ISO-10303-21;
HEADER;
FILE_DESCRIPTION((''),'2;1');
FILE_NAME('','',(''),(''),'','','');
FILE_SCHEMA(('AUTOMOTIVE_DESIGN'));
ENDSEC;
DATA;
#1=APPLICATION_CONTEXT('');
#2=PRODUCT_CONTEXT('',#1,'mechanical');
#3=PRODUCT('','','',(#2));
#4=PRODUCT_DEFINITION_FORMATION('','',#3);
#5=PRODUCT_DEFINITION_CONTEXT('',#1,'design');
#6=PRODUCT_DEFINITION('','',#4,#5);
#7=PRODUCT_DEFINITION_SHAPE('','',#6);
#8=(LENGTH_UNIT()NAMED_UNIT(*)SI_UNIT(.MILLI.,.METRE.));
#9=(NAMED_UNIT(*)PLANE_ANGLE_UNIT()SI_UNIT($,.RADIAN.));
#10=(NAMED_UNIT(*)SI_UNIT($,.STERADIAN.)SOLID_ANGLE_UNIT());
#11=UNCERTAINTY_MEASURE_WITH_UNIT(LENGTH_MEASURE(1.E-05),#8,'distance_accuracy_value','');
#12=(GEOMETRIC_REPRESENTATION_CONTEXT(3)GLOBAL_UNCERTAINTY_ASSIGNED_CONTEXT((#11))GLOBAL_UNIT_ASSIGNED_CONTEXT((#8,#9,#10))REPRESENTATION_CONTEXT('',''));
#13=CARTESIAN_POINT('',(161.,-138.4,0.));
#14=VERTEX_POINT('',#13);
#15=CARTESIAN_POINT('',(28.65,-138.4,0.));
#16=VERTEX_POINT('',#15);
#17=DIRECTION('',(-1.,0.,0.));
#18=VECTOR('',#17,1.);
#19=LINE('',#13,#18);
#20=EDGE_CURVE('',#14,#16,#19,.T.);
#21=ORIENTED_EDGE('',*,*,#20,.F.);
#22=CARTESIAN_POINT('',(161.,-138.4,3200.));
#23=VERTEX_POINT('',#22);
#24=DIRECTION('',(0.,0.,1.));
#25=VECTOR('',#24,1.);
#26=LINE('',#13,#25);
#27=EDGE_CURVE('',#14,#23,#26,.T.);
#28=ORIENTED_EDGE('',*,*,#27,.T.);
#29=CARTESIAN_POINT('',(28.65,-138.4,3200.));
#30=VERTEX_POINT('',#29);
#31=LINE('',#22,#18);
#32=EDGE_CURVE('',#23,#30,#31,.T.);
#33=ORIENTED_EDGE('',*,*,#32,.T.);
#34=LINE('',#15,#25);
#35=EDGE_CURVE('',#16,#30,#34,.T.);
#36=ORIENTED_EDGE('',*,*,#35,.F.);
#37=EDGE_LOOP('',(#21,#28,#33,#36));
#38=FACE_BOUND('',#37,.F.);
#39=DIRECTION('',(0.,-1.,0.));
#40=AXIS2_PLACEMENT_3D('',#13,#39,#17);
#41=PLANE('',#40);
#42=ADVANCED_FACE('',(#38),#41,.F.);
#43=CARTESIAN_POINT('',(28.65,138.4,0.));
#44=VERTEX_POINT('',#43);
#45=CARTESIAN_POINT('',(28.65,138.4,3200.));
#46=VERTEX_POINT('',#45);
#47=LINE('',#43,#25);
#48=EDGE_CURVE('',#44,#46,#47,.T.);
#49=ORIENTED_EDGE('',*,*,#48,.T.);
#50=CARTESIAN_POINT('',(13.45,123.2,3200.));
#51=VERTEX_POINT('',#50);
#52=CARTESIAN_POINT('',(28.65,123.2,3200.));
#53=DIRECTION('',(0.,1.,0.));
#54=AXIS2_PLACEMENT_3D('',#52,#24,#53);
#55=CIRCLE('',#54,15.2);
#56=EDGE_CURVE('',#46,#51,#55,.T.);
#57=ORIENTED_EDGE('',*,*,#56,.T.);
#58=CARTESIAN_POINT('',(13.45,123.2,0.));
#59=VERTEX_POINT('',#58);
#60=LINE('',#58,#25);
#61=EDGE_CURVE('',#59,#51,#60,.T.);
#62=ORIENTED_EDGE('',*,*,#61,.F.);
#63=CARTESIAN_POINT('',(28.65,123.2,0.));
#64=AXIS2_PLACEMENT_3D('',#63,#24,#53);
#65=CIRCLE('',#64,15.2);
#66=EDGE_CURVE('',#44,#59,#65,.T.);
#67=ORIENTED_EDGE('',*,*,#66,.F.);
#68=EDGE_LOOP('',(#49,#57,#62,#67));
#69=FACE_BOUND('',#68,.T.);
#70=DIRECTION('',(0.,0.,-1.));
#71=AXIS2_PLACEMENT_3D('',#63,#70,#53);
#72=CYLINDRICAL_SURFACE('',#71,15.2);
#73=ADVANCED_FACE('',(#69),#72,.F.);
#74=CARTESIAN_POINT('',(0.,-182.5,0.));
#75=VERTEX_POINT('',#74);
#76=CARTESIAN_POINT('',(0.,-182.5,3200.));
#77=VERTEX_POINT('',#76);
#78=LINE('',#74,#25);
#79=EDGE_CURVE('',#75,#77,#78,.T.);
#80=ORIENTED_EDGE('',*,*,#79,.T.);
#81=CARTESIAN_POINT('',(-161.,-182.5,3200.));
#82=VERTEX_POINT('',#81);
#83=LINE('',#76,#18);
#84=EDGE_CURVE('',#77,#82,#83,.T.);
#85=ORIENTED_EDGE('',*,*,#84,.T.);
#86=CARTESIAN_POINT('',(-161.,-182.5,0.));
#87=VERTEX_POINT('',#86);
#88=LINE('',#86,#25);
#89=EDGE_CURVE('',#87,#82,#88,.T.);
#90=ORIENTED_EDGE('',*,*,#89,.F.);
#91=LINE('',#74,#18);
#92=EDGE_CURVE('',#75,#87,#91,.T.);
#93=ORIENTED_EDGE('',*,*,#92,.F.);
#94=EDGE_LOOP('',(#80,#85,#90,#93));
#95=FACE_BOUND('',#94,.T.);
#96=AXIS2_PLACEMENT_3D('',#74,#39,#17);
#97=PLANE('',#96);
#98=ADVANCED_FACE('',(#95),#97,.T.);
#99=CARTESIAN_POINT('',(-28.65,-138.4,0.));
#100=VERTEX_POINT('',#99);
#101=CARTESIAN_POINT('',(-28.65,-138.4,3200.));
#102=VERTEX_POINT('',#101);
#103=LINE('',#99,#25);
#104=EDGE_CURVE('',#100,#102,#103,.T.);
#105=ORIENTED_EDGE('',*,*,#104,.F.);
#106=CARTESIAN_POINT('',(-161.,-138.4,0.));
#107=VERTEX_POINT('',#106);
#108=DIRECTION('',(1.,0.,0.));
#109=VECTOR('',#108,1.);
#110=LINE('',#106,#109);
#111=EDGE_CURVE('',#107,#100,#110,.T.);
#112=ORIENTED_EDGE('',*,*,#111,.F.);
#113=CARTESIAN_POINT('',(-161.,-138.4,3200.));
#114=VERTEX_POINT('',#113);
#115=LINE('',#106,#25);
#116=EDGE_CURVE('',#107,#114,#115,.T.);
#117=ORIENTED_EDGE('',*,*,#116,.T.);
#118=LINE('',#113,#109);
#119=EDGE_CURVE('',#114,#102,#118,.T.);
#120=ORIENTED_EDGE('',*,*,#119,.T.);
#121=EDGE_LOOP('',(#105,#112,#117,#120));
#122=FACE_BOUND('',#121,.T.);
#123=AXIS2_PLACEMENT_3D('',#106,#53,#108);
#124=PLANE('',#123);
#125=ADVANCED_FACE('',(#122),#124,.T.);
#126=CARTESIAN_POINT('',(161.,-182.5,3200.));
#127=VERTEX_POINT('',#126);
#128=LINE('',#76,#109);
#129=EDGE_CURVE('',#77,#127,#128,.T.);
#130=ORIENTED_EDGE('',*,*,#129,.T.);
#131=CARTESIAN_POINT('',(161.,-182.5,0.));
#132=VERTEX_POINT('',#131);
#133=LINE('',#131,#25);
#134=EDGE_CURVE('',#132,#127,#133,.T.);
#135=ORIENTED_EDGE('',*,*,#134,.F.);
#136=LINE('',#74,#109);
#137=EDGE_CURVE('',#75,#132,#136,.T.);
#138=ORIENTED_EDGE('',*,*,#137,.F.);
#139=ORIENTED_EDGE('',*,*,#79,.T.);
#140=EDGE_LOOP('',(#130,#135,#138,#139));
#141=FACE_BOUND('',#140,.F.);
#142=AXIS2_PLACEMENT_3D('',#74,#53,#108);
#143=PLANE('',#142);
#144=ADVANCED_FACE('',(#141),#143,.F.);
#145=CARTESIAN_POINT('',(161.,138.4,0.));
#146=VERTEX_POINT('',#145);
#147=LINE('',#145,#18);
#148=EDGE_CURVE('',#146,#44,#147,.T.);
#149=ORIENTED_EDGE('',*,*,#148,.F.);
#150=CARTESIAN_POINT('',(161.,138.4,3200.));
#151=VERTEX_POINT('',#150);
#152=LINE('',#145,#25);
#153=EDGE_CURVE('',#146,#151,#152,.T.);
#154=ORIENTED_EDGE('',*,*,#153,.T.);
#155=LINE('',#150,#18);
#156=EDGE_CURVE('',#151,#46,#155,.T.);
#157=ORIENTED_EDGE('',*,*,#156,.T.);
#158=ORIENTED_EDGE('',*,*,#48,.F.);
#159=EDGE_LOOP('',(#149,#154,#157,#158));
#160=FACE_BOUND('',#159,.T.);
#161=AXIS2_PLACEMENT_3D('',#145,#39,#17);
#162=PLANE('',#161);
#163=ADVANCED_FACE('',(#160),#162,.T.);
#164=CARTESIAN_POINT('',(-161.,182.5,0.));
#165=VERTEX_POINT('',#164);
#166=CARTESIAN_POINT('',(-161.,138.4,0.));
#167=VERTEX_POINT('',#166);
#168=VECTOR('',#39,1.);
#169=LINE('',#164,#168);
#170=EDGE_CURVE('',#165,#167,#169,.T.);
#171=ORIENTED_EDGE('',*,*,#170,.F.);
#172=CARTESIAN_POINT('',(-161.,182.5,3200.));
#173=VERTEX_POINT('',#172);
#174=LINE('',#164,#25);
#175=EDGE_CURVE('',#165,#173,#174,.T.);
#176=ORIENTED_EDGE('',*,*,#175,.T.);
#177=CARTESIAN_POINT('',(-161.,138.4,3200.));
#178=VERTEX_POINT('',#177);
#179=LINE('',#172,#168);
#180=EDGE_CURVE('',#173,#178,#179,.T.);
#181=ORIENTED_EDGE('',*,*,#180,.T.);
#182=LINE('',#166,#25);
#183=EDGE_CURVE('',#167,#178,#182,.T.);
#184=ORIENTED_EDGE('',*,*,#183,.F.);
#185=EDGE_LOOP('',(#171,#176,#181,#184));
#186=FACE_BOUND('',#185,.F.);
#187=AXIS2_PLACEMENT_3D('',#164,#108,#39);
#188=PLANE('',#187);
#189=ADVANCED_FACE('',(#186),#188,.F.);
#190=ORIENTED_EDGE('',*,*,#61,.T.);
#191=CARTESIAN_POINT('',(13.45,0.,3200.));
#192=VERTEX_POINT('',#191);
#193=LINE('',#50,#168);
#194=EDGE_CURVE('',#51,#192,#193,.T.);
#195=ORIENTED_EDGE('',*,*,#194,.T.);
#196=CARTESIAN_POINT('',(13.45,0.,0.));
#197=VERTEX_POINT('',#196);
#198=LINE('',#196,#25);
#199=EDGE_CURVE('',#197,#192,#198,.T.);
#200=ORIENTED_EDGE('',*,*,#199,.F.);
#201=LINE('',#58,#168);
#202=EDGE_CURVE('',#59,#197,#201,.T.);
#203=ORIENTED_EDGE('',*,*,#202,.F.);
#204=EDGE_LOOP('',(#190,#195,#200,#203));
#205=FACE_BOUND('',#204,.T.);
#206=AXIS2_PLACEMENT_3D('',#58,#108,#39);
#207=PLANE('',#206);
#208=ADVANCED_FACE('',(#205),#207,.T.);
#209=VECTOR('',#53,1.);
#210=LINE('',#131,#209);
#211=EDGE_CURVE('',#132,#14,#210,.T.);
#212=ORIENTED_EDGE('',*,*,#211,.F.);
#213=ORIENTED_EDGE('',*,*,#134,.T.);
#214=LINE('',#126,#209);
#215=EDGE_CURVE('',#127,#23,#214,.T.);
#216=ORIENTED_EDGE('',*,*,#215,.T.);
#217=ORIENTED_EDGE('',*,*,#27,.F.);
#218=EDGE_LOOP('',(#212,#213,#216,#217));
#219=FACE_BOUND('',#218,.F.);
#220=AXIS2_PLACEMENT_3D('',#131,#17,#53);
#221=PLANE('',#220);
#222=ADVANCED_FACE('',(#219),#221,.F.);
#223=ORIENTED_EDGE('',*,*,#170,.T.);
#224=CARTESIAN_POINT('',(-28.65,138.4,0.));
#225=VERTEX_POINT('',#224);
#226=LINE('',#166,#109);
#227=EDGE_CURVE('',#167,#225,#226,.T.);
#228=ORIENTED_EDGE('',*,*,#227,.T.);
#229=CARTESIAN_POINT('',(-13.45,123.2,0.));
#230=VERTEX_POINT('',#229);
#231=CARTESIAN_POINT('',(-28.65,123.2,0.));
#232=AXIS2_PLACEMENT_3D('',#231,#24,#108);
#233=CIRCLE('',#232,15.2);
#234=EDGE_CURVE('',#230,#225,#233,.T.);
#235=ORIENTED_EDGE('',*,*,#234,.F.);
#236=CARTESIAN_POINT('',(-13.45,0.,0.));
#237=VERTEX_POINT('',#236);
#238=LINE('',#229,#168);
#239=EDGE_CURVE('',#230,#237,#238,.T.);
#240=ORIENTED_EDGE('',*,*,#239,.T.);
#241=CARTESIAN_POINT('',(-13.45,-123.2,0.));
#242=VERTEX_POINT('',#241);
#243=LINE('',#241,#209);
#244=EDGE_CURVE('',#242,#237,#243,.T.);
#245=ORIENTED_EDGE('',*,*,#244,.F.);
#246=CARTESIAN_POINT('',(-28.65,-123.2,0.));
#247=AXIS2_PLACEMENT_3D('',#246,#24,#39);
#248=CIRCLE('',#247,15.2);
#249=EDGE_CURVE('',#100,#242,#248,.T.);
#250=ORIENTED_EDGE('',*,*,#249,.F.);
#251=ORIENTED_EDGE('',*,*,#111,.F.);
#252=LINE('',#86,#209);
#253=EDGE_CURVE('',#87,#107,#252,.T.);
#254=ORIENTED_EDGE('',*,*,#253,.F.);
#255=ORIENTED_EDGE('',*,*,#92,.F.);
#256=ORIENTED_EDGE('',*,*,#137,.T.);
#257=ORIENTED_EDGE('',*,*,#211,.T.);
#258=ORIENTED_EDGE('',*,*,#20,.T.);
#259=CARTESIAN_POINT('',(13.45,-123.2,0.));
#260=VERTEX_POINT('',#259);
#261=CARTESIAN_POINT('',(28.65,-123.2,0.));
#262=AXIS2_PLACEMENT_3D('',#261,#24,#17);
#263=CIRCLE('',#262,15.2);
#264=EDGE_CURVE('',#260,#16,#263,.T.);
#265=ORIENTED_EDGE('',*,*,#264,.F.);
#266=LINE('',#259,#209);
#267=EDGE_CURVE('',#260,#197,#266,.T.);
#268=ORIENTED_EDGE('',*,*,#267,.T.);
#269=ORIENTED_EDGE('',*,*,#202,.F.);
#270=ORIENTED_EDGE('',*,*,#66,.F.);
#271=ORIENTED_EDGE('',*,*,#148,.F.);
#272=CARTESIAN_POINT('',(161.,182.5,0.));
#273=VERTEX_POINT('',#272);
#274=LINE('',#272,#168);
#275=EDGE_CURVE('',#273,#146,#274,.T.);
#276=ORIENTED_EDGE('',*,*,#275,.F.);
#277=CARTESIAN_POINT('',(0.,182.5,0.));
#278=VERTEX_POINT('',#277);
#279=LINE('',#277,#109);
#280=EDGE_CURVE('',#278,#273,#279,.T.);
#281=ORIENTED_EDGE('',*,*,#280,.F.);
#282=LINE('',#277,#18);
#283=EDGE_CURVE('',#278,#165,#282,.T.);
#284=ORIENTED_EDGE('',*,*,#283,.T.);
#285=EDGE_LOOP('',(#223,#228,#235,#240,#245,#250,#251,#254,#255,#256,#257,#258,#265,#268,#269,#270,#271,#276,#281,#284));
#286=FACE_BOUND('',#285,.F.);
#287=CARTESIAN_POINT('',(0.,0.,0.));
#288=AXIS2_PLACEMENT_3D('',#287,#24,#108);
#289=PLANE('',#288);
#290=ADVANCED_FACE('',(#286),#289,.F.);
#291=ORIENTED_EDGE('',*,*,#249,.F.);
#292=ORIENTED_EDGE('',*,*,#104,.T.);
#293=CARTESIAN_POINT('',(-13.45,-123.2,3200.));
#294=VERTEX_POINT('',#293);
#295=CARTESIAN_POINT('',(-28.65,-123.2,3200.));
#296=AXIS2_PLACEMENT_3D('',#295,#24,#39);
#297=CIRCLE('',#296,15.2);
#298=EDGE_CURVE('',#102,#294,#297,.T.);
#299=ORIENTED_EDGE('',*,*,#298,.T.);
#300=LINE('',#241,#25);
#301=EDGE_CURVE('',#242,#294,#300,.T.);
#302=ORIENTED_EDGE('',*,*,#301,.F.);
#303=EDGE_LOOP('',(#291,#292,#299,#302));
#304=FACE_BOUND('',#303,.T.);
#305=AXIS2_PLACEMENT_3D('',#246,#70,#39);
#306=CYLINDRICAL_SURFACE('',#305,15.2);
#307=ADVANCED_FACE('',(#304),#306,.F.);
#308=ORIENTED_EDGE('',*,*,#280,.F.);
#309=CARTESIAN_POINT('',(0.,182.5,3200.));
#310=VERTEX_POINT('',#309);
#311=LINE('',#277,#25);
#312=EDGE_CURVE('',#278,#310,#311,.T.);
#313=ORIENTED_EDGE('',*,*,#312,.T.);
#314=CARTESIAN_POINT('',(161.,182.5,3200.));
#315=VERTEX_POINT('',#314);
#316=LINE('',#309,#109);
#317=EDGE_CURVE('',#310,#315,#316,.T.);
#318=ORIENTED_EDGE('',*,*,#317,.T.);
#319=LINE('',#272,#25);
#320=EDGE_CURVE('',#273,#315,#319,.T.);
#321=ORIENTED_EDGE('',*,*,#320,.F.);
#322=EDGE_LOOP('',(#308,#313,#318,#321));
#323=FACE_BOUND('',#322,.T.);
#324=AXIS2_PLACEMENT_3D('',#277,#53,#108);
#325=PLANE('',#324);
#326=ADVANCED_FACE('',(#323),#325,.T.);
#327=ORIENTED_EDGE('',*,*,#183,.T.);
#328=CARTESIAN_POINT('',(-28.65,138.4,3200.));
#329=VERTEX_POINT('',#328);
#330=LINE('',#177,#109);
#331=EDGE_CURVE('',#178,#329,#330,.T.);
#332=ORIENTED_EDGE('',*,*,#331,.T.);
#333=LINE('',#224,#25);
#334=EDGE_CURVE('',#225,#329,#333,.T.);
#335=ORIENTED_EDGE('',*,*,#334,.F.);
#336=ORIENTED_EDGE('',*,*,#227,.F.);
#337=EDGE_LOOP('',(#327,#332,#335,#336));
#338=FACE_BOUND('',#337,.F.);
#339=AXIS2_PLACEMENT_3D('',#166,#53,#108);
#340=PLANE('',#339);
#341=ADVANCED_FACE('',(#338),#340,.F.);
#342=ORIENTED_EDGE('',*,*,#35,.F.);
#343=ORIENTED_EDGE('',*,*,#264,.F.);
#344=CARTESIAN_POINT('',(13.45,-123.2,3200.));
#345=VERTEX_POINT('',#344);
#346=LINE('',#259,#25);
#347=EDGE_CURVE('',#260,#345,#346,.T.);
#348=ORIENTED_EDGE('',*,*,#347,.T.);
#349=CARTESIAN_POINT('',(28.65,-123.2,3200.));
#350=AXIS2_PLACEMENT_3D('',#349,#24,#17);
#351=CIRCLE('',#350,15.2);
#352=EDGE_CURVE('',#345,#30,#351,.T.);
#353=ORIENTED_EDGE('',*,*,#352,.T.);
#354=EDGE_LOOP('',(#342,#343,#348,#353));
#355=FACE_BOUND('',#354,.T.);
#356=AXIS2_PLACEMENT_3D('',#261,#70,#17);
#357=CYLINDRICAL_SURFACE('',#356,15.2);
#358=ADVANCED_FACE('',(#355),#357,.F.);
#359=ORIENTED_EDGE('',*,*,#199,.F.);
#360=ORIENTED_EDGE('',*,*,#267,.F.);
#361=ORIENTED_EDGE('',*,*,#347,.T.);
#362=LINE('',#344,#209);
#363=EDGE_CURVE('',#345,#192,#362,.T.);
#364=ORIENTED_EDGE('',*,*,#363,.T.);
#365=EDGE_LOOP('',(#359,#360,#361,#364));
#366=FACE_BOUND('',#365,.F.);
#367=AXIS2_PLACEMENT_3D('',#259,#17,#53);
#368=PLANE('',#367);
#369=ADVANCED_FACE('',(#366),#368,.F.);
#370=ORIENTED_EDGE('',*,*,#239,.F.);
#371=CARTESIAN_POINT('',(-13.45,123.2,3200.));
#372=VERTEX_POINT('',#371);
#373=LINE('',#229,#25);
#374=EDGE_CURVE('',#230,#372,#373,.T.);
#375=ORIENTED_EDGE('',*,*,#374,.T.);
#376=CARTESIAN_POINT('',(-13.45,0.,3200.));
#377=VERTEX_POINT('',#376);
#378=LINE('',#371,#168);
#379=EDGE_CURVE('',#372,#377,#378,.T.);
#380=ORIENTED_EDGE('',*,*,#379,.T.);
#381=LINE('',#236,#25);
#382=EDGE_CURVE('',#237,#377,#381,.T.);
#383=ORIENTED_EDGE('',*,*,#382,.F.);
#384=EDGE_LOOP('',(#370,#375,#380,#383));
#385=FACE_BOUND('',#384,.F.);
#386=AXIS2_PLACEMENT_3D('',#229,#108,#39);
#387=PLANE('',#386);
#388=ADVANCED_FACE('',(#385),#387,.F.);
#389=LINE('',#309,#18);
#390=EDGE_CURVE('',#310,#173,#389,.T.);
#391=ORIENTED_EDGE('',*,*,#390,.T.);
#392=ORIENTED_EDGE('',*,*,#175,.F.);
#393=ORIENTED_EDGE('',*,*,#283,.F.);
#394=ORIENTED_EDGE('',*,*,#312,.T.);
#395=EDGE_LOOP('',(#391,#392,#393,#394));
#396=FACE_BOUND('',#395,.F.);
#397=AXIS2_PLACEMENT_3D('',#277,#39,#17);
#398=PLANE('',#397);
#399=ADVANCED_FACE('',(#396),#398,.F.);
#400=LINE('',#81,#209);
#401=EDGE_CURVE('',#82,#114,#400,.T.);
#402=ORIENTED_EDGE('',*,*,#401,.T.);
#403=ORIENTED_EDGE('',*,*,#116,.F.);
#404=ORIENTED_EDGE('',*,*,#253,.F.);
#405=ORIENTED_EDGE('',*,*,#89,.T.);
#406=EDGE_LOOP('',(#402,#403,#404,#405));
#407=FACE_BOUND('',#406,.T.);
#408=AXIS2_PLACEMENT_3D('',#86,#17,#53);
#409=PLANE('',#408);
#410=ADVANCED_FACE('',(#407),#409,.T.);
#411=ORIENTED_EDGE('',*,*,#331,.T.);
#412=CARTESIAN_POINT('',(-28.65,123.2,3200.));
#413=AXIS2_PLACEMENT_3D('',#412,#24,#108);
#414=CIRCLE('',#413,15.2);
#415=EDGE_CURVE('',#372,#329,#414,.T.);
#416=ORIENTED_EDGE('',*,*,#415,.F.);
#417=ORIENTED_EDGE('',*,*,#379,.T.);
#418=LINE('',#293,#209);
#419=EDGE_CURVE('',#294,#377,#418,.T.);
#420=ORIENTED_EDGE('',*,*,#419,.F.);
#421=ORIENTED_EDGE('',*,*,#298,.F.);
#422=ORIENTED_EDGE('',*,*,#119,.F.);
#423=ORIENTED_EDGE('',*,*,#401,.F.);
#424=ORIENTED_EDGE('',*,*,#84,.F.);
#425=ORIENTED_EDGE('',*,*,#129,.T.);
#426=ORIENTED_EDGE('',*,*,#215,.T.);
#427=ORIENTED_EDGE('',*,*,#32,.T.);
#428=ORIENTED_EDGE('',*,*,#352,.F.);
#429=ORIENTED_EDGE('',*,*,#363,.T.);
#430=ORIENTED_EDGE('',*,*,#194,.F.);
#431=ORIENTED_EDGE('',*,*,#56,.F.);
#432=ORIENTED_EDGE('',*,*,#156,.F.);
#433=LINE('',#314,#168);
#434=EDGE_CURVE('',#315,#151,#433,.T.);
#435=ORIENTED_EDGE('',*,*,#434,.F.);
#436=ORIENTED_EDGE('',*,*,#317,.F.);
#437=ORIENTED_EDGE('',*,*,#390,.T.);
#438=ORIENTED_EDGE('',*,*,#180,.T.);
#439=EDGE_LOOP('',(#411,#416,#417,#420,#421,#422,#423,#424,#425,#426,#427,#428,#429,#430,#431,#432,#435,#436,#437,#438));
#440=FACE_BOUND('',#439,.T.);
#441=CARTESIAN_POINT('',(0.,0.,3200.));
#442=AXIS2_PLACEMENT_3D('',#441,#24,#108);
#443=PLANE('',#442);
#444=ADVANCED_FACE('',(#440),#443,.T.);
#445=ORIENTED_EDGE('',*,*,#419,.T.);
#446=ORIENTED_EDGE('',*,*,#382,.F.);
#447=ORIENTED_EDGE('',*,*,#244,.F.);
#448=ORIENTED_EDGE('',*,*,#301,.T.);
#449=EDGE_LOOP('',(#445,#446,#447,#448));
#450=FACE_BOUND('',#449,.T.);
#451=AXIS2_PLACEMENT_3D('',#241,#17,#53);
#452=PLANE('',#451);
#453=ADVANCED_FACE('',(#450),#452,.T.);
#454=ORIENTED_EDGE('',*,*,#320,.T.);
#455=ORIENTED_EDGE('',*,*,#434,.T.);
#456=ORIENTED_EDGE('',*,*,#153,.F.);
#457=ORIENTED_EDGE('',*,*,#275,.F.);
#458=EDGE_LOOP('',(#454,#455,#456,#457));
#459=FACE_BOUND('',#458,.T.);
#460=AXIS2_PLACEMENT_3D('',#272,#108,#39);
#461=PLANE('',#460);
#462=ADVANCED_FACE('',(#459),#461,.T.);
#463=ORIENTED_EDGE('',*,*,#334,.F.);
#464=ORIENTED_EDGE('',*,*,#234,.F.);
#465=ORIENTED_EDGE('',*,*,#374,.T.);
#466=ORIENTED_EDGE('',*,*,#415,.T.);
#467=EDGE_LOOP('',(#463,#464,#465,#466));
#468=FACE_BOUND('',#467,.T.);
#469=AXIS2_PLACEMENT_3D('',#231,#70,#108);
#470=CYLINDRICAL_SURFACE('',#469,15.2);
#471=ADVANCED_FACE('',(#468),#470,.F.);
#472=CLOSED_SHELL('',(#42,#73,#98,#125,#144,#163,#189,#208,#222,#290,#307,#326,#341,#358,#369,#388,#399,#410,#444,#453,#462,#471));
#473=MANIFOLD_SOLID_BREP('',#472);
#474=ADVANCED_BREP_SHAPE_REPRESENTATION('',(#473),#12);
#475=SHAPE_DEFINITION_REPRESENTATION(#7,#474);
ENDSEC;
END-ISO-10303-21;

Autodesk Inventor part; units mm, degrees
ref_plane "YZ Plane" through (0, 0, 0) normal (1, 0, 0) x (0, 1, 0)
ref_plane "Start plane" through (0, 0, 0) normal (0, 0, 1) x (1, 0, 0)
ref_plane "End plane" through (0, 0, 3200) normal (0, 0, 1) x (1, 0, 0)
sketch "Sketch" plane through (0, 0, 0) normal (0, 0, 1) x (1, 0, 0)
  line L0 (-161, -182.5) -> (-161, -138.4)
  line L1 (-161, -138.4) -> (-28.65, -138.4)
  line L2 (-13.45, -123.2) -> (-13.45, 0)
  line L3 (-13.45, 0) -> (0, 0) construction
  line L4 (0, 0) -> (0, -182.5) construction
  line L5 (0, -182.5) -> (-161, -182.5)
  line L6 (-60, 0) -> (80, 0) construction
  line L7 (0, -60) -> (0, 80) construction
  line L8 (161, -182.5) -> (161, -138.4)
  line L9 (161, -138.4) -> (28.65, -138.4)
  line L10 (13.45, -123.2) -> (13.45, 0)
  line L11 (13.45, 0) -> (0, 0) construction
  line L12 (0, -182.5) -> (161, -182.5)
  line L13 (-161, 182.5) -> (-161, 138.4)
  line L14 (-161, 138.4) -> (-28.65, 138.4)
  line L15 (-13.45, 123.2) -> (-13.45, 0)
  line L16 (0, 182.5) -> (-161, 182.5)
  line L17 (161, 182.5) -> (161, 138.4)
  line L18 (161, 138.4) -> (28.65, 138.4)
  line L19 (0, 182.5) -> (161, 182.5)
  line L20 (13.45, 123.2) -> (13.45, 0)
  arc A0 (-13.45, 123.2) -> (-28.65, 138.4) centre (-28.65, 123.2) ccw
  arc A1 (28.65, 138.4) -> (13.45, 123.2) centre (28.65, 123.2) ccw
  arc A2 (13.45, -123.2) -> (28.65, -138.4) centre (28.65, -123.2) ccw
  arc A3 (-28.65, -138.4) -> (-13.45, -123.2) centre (-28.65, -123.2) ccw
  line L21 (0, 108) -> (0, -88) construction
  line L22 (-88, 0) -> (108, 0) construction
  point P0 (-13.45, -138.4)
  point P1 (13.45, -138.4)
  point P2 (-13.45, 138.4)
  point P3 (13.45, 138.4)
  dimension "d1" = 182.5
  dimension "d2" = 44.1
  dimension "d3" = 161
  dimension "d4" = 13.45
  dimension "d10" = 15.2
extrude "Body" add sketch "Sketch" along normal up to surface (3200 mm away) from surface at 0
sketch "Sketch4" plane through (0, 0, 0) normal (0, 0, 1) x (1, 0, 0)
  line L0 (0, 0) -> (10, 0)
ref_plane "Work Plane3" through (0, 0, 0) normal (0, -1, 0) x (1, 0, 0)
sketch "Sketch5" plane through (0, 0, 0) normal (0, -1, 0) x (1, 0, 0)
  line L0 (-2, 0) -> (12, 0) projected
  line L1 (-2, 3200) -> (12, 3200) projected
  dimension "d14" = 3200
equation "\"d1\" = 0.5 * G_H"
equation "\"d2\" = G_T1"
equation "\"d3\" = 0.5 * G_W"
equation "\"d4\" = 0.5 * G_T"
equation "\"d10\" = G_IR"
equation "\"d5\" = G_L"
equation "\"G_W\" = 322"
equation "\"G_H\" = 365"
equation "\"G_T\" = 26.9"
equation "\"G_T1\" = 44.1"
equation "\"G_IR\" = 15.2"
equation "\"G_L\" = d14"
equation "\"G_OFFSET_START\" = 0"
equation "\"G_OFFSET_END\" = 0"
properties part number "AS 3679 - 310 UC - 283 - 3200" material "Steel, Mild"
